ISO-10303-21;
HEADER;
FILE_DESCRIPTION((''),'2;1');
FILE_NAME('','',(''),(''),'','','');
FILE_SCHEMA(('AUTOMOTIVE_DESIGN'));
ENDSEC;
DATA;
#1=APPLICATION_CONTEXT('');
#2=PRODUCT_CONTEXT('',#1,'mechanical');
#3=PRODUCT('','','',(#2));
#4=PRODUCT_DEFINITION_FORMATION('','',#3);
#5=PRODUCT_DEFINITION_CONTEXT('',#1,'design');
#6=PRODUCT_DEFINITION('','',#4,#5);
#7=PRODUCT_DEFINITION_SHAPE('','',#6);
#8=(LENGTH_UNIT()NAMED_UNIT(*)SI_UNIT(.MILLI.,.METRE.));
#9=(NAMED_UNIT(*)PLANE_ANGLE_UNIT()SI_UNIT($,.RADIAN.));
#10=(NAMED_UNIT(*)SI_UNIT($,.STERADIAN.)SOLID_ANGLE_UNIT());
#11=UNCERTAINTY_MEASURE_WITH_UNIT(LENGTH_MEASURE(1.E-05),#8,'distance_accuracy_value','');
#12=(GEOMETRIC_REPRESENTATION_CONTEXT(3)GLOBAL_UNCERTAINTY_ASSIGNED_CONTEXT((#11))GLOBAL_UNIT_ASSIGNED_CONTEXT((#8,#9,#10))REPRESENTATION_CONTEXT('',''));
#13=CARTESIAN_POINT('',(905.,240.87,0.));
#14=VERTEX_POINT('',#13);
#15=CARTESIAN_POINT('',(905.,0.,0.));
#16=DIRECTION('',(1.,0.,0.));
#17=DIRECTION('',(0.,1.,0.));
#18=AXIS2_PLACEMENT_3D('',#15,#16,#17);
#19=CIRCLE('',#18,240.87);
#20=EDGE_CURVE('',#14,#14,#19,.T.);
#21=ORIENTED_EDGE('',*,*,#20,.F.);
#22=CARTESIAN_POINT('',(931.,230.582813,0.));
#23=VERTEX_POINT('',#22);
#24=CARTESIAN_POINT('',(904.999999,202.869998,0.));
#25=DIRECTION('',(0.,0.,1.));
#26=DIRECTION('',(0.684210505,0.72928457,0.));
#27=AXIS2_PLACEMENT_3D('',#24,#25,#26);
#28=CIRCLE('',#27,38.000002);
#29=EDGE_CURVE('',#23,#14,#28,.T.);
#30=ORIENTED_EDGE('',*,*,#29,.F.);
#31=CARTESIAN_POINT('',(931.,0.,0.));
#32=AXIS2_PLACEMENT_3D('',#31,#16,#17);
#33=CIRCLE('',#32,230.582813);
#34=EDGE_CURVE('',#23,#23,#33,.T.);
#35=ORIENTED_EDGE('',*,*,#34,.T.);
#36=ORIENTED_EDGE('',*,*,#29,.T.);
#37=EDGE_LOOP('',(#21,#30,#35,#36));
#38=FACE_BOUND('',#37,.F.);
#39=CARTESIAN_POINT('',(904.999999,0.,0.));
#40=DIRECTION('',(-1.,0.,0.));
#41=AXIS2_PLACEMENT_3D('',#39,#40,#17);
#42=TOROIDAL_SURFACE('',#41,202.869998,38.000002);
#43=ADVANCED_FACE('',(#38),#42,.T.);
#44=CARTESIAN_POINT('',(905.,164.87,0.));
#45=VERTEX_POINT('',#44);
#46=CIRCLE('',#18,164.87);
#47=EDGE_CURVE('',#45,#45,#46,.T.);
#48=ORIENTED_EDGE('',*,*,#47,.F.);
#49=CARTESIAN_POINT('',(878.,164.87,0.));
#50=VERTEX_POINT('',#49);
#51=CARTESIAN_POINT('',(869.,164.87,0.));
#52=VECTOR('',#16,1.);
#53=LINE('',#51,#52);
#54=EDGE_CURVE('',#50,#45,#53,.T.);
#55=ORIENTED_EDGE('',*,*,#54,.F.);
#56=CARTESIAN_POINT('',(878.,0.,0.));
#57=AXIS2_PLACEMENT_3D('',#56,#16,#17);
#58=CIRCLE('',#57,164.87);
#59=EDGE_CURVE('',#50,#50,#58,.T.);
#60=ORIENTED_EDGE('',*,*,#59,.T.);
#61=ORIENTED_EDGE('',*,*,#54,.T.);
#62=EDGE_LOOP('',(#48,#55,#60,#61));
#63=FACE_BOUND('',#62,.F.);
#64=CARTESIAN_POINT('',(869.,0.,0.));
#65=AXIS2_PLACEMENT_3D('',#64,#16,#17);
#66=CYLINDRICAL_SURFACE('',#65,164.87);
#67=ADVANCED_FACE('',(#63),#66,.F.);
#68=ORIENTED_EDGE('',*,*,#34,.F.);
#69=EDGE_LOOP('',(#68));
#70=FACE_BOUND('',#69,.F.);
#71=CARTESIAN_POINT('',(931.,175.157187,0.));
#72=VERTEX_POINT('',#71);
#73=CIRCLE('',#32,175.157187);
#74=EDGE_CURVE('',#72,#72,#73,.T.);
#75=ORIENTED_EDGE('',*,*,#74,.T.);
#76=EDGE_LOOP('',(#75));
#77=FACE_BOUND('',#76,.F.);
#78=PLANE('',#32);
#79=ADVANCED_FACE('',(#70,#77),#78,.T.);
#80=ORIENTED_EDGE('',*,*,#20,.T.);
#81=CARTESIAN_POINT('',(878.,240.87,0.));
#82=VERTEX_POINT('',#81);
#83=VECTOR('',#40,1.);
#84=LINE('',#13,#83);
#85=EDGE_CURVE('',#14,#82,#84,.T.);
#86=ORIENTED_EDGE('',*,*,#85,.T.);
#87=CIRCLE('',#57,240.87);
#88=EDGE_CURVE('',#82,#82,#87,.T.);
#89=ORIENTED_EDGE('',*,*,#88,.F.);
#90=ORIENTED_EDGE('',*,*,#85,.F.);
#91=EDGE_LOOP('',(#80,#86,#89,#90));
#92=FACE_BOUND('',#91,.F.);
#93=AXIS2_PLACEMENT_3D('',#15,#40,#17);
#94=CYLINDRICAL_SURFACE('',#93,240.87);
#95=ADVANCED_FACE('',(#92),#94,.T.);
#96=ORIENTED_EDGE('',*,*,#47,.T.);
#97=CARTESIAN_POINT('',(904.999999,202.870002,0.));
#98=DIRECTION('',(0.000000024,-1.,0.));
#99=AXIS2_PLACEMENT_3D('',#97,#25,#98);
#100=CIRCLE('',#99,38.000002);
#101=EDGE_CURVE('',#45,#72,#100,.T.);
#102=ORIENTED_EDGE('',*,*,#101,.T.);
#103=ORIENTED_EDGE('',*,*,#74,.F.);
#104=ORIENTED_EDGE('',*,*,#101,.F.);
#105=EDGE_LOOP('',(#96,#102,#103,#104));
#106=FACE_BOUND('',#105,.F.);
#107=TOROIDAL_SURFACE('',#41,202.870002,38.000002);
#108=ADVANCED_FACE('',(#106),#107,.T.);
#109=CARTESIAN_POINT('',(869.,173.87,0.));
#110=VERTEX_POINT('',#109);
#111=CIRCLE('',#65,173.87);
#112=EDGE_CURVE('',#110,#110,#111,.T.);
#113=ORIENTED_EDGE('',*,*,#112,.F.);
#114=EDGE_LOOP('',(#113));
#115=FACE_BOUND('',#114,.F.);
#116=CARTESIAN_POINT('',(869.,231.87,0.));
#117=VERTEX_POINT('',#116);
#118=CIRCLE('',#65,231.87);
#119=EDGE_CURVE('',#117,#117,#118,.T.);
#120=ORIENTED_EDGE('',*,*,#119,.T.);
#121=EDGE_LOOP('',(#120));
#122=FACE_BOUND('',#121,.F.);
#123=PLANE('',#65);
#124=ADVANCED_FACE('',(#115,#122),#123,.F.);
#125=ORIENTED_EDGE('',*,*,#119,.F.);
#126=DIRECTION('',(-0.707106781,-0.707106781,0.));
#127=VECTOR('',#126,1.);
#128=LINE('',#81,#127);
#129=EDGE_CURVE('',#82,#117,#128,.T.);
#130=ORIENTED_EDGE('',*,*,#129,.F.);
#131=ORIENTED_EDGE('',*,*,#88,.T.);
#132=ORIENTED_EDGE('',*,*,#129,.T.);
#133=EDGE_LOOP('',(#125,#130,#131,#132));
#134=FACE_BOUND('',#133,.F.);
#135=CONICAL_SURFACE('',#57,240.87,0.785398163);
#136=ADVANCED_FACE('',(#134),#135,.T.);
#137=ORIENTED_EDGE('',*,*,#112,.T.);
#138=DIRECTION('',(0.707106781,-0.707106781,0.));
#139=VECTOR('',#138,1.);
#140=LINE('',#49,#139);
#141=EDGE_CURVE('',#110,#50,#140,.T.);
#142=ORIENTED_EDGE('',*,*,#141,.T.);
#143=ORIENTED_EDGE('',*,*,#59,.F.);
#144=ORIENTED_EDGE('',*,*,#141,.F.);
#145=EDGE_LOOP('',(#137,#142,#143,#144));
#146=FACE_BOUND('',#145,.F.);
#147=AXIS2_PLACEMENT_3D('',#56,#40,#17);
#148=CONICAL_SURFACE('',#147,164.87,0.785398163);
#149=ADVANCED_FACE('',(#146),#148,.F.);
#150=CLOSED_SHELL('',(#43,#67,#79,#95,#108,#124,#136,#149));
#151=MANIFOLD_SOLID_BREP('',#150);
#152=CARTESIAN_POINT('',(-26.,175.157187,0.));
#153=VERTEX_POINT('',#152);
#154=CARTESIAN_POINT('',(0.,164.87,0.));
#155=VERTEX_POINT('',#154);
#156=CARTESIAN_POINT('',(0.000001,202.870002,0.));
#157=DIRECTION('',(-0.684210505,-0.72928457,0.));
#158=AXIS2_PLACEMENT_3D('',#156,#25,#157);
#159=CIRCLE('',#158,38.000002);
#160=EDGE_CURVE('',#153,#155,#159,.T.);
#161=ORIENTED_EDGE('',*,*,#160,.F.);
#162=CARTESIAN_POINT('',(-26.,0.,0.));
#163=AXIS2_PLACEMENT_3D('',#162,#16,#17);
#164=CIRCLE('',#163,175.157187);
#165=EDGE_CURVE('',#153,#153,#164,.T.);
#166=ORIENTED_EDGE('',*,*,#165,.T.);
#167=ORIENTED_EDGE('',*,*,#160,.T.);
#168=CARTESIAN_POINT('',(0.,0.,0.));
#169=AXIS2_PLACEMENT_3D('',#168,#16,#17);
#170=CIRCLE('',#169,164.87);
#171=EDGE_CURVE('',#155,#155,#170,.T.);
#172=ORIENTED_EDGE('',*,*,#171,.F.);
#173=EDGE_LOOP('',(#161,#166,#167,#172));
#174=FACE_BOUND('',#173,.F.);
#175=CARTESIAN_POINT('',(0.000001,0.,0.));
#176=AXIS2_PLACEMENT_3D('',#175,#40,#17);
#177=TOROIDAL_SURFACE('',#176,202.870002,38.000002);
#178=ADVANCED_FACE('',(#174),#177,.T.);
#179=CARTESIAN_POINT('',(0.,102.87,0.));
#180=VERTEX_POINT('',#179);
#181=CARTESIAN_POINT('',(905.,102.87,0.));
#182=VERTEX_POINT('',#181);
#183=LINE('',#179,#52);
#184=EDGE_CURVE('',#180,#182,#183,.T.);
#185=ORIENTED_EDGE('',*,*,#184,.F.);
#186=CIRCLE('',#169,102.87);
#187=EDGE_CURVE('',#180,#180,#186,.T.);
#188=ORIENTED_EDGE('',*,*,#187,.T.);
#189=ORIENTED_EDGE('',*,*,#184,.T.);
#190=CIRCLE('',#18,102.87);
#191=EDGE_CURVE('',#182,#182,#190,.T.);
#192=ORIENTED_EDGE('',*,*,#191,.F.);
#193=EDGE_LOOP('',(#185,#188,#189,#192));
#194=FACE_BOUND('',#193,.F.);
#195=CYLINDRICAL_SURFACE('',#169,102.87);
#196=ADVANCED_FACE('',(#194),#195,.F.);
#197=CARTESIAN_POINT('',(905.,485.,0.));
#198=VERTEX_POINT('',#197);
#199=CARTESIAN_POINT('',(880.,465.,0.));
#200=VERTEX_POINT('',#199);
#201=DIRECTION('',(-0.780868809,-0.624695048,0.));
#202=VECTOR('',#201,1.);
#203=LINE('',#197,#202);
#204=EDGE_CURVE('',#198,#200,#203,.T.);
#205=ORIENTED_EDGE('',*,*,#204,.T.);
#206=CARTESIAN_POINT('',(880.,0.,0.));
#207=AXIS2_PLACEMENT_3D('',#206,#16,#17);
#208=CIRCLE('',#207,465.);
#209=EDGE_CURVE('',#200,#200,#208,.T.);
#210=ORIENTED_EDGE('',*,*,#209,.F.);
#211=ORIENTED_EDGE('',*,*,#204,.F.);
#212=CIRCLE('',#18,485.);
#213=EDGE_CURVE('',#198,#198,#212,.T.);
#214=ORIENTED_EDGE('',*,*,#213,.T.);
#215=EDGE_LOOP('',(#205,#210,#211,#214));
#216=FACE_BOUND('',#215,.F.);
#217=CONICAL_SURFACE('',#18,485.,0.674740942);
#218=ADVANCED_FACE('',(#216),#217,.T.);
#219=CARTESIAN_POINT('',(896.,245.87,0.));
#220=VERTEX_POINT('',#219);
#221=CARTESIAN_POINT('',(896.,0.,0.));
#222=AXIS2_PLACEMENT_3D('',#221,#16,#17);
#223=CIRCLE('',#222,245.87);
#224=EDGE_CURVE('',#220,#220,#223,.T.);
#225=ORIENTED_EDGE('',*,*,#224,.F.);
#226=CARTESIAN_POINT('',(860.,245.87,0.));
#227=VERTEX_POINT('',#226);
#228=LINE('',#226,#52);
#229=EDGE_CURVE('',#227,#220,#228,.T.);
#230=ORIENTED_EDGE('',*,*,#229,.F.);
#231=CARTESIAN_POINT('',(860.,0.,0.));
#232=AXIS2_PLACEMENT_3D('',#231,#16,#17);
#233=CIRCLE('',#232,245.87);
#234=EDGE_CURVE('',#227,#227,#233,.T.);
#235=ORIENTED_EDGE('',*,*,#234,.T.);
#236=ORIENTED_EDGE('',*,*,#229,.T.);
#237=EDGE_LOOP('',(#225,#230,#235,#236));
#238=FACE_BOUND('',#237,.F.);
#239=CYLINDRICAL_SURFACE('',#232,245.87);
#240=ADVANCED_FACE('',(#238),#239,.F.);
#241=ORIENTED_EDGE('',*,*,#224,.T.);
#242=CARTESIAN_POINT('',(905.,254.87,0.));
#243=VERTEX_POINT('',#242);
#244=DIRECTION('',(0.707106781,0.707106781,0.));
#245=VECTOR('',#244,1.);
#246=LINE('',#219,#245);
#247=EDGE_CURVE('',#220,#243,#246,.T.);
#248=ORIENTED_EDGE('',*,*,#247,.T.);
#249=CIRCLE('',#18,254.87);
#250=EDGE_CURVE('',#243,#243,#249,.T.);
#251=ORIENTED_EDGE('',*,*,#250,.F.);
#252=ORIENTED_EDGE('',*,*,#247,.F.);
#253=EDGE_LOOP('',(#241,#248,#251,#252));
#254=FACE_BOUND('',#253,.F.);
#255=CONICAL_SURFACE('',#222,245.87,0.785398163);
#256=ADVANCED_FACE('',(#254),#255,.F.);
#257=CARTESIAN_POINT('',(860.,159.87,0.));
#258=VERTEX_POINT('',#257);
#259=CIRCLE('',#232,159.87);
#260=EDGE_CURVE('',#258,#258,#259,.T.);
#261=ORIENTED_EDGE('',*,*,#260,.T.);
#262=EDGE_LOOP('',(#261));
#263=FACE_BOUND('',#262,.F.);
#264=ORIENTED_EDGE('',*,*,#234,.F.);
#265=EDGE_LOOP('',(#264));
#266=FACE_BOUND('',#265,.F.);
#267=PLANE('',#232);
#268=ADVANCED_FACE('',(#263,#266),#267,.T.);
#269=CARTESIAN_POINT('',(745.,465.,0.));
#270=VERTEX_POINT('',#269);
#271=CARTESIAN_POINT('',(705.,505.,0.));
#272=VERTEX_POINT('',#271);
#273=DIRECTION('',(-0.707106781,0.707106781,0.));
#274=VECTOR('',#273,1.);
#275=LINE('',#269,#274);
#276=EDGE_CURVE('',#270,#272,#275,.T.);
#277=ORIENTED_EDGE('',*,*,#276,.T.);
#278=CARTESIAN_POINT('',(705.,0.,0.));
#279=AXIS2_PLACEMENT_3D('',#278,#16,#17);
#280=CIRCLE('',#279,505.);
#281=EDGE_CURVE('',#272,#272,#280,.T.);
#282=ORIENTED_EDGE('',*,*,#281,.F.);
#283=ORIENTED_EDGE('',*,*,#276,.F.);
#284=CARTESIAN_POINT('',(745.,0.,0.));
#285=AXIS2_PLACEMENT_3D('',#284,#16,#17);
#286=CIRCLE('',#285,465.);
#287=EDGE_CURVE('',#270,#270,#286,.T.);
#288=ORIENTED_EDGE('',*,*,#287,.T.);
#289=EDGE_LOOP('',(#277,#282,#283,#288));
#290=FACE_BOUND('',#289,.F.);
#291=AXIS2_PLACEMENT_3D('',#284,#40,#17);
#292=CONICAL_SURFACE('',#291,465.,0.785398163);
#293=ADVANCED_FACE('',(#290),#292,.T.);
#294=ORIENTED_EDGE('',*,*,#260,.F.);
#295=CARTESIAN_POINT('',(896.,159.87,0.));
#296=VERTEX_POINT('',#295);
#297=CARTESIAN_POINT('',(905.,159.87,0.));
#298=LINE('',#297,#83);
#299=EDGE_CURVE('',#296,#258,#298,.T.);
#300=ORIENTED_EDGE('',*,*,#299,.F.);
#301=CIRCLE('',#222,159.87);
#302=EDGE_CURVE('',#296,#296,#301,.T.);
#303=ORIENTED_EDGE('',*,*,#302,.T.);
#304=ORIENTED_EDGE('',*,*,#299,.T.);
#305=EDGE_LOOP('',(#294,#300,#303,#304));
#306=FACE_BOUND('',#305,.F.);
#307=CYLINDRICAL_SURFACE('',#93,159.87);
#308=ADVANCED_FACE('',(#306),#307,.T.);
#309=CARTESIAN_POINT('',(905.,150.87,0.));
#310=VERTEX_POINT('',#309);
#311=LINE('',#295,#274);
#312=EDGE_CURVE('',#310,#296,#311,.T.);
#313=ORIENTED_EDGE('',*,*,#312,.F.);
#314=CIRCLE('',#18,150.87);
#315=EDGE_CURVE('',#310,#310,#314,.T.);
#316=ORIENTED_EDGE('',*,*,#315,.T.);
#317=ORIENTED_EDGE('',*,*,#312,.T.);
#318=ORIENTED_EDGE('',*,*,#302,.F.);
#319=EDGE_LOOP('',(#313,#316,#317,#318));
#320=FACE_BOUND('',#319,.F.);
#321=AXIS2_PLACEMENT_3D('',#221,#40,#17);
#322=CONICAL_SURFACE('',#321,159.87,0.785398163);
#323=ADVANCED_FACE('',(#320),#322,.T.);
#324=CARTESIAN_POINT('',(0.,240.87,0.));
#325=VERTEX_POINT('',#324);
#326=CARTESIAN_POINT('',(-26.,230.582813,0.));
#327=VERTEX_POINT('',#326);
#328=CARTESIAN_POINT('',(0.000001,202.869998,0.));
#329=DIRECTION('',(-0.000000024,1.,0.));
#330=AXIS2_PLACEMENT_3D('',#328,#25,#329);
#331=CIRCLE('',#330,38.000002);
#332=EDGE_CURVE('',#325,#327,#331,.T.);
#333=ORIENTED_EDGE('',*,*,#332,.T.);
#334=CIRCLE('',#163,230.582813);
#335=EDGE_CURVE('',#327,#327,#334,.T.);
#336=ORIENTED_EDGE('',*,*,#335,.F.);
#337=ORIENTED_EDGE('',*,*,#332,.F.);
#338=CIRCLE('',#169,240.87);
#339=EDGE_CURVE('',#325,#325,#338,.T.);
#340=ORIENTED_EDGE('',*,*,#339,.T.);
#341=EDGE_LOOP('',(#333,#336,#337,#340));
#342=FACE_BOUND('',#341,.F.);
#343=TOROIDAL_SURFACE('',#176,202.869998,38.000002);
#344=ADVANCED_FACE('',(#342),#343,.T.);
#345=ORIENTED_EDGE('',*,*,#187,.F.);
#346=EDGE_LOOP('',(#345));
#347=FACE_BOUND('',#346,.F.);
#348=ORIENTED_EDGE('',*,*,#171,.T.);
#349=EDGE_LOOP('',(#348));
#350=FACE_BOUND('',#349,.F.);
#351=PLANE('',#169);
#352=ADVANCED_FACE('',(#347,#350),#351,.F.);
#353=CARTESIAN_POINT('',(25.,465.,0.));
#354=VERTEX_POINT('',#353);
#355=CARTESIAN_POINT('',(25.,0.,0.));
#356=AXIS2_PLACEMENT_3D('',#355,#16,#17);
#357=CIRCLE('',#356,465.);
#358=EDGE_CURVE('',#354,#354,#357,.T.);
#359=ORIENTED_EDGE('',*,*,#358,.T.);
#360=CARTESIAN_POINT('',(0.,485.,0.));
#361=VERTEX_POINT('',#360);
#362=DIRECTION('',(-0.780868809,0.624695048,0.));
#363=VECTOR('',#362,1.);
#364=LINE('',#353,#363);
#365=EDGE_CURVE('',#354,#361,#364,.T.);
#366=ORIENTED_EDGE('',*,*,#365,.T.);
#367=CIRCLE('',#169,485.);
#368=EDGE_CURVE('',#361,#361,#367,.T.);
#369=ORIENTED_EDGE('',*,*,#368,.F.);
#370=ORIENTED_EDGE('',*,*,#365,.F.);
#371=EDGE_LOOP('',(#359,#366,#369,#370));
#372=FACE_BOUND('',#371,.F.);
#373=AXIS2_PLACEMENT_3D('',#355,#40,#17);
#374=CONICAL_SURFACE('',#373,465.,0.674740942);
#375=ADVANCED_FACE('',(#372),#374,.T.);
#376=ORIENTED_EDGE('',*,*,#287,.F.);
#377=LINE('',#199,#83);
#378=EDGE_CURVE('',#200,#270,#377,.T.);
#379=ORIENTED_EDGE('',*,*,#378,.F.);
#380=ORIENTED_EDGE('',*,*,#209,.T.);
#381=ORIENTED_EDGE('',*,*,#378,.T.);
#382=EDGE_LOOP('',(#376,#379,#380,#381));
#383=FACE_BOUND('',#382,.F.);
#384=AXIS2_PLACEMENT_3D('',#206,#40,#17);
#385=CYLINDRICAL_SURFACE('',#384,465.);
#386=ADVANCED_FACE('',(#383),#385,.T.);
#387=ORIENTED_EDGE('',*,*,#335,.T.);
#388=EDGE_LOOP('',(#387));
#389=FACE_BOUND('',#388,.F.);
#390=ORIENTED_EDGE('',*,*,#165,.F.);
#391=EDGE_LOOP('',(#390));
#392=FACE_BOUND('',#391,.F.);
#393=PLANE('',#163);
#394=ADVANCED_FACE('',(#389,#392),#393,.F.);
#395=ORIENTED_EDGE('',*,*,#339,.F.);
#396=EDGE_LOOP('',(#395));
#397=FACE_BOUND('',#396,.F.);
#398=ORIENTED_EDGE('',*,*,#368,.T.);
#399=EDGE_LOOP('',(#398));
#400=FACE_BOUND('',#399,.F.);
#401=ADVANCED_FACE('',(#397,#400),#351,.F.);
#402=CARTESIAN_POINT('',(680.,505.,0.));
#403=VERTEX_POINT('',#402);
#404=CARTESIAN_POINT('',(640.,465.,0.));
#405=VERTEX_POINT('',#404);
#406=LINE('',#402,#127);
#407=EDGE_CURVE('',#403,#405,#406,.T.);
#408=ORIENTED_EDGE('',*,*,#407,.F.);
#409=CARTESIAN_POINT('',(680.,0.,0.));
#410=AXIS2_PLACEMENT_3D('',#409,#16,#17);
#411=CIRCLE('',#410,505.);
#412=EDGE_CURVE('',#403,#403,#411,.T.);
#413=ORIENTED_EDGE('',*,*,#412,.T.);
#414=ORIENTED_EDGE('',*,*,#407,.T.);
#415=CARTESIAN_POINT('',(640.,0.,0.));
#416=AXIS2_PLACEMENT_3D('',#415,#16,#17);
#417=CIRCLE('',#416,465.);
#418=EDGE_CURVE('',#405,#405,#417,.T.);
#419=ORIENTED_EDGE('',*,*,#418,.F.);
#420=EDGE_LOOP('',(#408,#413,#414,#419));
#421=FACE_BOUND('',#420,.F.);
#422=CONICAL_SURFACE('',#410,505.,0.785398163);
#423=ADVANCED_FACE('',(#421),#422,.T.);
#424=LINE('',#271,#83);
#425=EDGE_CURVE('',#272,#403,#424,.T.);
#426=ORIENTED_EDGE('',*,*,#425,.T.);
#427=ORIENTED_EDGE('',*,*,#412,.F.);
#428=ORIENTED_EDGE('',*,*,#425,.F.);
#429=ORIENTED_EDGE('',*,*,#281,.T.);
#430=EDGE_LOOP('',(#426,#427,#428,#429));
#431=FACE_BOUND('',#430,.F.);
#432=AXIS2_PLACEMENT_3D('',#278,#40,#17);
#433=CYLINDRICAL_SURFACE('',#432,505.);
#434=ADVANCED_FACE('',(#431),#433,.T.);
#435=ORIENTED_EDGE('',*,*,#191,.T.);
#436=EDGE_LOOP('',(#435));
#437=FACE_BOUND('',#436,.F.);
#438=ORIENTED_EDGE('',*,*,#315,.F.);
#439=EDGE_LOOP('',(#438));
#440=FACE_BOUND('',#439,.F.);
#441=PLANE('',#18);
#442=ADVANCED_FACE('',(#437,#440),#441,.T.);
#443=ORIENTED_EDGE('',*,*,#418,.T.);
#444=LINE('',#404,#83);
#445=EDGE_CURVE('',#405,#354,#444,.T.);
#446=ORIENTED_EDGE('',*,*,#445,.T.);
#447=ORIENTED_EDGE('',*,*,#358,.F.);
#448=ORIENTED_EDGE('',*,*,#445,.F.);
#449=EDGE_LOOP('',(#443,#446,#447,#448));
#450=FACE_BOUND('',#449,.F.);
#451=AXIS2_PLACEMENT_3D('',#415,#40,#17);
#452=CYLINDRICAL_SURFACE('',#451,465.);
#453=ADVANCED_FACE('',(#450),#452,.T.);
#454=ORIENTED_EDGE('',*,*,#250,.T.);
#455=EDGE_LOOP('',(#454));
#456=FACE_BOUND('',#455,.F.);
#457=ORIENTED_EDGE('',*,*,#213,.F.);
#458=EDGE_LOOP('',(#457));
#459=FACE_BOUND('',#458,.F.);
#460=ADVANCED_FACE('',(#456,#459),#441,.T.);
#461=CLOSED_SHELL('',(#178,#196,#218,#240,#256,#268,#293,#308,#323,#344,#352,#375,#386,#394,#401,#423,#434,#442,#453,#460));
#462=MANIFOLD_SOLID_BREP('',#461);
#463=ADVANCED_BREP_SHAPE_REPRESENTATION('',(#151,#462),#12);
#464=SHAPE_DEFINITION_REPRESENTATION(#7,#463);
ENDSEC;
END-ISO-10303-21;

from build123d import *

# Parameters (mm, degrees)
F2_SIZE = 9


with BuildPart() as f1:
    # F0 (on Top) → F1 (revolve)
    with BuildSketch(Plane.XY):
        with BuildLine():
            Line((0, 164.87), (0, 102.87))
            Line((0, 102.87), (905, 102.87))
            Line((905, 102.87), (905, 159.87))
            Line((905, 159.87), (860, 159.87))
            Line((860, 159.87), (860, 245.87))
            Line((860, 245.87), (905, 245.87))
            Line((905, 245.87), (905, 465))
            Line((905, 465), (905, 485))
            Line((905, 485), (880, 465))
            Line((880, 465), (745, 465))
            Line((745, 465), (705, 505))
            Line((705, 505), (680, 505))
            Line((680, 505), (640, 465))
            Line((640, 465), (25, 465))
            Line((25, 465), (0, 485))
            Line((0, 485), (0, 465))
            Line((0, 465), (0, 240.87))
            ThreePointArc((0, 240.87), (-13.980578, 238.204734), (-26, 230.582813))
            Line((-26, 230.582813), (-26, 175.157187))
            ThreePointArc((-26, 175.157187), (-13.980578, 167.535266), (0, 164.87))
        make_face()
        with BuildLine():
            Line((905, 240.87), (869, 240.87))
            Line((869, 240.87), (869, 164.87))
            Line((869, 164.87), (905, 164.87))
            ThreePointArc((905, 164.87), (918.980578, 167.535266), (931, 175.157187))
            Line((931, 175.157187), (931, 230.582813))
            ThreePointArc((931, 230.582813), (918.980578, 238.204734), (905, 240.87))
        make_face()
    revolve(axis=Axis((352.39023, 0, 0), (1, 0, 0)))

    # F2
    f2_edges = [f1.edges().sort_by_distance(p)[0] for p in [
        (905, -245.87, 0),
        (905, -159.87, 0),
        (869, -240.87, 0),
        (869, -164.87, 0),
    ]]
    chamfer(f2_edges, length=F2_SIZE)


solid = f1.part
